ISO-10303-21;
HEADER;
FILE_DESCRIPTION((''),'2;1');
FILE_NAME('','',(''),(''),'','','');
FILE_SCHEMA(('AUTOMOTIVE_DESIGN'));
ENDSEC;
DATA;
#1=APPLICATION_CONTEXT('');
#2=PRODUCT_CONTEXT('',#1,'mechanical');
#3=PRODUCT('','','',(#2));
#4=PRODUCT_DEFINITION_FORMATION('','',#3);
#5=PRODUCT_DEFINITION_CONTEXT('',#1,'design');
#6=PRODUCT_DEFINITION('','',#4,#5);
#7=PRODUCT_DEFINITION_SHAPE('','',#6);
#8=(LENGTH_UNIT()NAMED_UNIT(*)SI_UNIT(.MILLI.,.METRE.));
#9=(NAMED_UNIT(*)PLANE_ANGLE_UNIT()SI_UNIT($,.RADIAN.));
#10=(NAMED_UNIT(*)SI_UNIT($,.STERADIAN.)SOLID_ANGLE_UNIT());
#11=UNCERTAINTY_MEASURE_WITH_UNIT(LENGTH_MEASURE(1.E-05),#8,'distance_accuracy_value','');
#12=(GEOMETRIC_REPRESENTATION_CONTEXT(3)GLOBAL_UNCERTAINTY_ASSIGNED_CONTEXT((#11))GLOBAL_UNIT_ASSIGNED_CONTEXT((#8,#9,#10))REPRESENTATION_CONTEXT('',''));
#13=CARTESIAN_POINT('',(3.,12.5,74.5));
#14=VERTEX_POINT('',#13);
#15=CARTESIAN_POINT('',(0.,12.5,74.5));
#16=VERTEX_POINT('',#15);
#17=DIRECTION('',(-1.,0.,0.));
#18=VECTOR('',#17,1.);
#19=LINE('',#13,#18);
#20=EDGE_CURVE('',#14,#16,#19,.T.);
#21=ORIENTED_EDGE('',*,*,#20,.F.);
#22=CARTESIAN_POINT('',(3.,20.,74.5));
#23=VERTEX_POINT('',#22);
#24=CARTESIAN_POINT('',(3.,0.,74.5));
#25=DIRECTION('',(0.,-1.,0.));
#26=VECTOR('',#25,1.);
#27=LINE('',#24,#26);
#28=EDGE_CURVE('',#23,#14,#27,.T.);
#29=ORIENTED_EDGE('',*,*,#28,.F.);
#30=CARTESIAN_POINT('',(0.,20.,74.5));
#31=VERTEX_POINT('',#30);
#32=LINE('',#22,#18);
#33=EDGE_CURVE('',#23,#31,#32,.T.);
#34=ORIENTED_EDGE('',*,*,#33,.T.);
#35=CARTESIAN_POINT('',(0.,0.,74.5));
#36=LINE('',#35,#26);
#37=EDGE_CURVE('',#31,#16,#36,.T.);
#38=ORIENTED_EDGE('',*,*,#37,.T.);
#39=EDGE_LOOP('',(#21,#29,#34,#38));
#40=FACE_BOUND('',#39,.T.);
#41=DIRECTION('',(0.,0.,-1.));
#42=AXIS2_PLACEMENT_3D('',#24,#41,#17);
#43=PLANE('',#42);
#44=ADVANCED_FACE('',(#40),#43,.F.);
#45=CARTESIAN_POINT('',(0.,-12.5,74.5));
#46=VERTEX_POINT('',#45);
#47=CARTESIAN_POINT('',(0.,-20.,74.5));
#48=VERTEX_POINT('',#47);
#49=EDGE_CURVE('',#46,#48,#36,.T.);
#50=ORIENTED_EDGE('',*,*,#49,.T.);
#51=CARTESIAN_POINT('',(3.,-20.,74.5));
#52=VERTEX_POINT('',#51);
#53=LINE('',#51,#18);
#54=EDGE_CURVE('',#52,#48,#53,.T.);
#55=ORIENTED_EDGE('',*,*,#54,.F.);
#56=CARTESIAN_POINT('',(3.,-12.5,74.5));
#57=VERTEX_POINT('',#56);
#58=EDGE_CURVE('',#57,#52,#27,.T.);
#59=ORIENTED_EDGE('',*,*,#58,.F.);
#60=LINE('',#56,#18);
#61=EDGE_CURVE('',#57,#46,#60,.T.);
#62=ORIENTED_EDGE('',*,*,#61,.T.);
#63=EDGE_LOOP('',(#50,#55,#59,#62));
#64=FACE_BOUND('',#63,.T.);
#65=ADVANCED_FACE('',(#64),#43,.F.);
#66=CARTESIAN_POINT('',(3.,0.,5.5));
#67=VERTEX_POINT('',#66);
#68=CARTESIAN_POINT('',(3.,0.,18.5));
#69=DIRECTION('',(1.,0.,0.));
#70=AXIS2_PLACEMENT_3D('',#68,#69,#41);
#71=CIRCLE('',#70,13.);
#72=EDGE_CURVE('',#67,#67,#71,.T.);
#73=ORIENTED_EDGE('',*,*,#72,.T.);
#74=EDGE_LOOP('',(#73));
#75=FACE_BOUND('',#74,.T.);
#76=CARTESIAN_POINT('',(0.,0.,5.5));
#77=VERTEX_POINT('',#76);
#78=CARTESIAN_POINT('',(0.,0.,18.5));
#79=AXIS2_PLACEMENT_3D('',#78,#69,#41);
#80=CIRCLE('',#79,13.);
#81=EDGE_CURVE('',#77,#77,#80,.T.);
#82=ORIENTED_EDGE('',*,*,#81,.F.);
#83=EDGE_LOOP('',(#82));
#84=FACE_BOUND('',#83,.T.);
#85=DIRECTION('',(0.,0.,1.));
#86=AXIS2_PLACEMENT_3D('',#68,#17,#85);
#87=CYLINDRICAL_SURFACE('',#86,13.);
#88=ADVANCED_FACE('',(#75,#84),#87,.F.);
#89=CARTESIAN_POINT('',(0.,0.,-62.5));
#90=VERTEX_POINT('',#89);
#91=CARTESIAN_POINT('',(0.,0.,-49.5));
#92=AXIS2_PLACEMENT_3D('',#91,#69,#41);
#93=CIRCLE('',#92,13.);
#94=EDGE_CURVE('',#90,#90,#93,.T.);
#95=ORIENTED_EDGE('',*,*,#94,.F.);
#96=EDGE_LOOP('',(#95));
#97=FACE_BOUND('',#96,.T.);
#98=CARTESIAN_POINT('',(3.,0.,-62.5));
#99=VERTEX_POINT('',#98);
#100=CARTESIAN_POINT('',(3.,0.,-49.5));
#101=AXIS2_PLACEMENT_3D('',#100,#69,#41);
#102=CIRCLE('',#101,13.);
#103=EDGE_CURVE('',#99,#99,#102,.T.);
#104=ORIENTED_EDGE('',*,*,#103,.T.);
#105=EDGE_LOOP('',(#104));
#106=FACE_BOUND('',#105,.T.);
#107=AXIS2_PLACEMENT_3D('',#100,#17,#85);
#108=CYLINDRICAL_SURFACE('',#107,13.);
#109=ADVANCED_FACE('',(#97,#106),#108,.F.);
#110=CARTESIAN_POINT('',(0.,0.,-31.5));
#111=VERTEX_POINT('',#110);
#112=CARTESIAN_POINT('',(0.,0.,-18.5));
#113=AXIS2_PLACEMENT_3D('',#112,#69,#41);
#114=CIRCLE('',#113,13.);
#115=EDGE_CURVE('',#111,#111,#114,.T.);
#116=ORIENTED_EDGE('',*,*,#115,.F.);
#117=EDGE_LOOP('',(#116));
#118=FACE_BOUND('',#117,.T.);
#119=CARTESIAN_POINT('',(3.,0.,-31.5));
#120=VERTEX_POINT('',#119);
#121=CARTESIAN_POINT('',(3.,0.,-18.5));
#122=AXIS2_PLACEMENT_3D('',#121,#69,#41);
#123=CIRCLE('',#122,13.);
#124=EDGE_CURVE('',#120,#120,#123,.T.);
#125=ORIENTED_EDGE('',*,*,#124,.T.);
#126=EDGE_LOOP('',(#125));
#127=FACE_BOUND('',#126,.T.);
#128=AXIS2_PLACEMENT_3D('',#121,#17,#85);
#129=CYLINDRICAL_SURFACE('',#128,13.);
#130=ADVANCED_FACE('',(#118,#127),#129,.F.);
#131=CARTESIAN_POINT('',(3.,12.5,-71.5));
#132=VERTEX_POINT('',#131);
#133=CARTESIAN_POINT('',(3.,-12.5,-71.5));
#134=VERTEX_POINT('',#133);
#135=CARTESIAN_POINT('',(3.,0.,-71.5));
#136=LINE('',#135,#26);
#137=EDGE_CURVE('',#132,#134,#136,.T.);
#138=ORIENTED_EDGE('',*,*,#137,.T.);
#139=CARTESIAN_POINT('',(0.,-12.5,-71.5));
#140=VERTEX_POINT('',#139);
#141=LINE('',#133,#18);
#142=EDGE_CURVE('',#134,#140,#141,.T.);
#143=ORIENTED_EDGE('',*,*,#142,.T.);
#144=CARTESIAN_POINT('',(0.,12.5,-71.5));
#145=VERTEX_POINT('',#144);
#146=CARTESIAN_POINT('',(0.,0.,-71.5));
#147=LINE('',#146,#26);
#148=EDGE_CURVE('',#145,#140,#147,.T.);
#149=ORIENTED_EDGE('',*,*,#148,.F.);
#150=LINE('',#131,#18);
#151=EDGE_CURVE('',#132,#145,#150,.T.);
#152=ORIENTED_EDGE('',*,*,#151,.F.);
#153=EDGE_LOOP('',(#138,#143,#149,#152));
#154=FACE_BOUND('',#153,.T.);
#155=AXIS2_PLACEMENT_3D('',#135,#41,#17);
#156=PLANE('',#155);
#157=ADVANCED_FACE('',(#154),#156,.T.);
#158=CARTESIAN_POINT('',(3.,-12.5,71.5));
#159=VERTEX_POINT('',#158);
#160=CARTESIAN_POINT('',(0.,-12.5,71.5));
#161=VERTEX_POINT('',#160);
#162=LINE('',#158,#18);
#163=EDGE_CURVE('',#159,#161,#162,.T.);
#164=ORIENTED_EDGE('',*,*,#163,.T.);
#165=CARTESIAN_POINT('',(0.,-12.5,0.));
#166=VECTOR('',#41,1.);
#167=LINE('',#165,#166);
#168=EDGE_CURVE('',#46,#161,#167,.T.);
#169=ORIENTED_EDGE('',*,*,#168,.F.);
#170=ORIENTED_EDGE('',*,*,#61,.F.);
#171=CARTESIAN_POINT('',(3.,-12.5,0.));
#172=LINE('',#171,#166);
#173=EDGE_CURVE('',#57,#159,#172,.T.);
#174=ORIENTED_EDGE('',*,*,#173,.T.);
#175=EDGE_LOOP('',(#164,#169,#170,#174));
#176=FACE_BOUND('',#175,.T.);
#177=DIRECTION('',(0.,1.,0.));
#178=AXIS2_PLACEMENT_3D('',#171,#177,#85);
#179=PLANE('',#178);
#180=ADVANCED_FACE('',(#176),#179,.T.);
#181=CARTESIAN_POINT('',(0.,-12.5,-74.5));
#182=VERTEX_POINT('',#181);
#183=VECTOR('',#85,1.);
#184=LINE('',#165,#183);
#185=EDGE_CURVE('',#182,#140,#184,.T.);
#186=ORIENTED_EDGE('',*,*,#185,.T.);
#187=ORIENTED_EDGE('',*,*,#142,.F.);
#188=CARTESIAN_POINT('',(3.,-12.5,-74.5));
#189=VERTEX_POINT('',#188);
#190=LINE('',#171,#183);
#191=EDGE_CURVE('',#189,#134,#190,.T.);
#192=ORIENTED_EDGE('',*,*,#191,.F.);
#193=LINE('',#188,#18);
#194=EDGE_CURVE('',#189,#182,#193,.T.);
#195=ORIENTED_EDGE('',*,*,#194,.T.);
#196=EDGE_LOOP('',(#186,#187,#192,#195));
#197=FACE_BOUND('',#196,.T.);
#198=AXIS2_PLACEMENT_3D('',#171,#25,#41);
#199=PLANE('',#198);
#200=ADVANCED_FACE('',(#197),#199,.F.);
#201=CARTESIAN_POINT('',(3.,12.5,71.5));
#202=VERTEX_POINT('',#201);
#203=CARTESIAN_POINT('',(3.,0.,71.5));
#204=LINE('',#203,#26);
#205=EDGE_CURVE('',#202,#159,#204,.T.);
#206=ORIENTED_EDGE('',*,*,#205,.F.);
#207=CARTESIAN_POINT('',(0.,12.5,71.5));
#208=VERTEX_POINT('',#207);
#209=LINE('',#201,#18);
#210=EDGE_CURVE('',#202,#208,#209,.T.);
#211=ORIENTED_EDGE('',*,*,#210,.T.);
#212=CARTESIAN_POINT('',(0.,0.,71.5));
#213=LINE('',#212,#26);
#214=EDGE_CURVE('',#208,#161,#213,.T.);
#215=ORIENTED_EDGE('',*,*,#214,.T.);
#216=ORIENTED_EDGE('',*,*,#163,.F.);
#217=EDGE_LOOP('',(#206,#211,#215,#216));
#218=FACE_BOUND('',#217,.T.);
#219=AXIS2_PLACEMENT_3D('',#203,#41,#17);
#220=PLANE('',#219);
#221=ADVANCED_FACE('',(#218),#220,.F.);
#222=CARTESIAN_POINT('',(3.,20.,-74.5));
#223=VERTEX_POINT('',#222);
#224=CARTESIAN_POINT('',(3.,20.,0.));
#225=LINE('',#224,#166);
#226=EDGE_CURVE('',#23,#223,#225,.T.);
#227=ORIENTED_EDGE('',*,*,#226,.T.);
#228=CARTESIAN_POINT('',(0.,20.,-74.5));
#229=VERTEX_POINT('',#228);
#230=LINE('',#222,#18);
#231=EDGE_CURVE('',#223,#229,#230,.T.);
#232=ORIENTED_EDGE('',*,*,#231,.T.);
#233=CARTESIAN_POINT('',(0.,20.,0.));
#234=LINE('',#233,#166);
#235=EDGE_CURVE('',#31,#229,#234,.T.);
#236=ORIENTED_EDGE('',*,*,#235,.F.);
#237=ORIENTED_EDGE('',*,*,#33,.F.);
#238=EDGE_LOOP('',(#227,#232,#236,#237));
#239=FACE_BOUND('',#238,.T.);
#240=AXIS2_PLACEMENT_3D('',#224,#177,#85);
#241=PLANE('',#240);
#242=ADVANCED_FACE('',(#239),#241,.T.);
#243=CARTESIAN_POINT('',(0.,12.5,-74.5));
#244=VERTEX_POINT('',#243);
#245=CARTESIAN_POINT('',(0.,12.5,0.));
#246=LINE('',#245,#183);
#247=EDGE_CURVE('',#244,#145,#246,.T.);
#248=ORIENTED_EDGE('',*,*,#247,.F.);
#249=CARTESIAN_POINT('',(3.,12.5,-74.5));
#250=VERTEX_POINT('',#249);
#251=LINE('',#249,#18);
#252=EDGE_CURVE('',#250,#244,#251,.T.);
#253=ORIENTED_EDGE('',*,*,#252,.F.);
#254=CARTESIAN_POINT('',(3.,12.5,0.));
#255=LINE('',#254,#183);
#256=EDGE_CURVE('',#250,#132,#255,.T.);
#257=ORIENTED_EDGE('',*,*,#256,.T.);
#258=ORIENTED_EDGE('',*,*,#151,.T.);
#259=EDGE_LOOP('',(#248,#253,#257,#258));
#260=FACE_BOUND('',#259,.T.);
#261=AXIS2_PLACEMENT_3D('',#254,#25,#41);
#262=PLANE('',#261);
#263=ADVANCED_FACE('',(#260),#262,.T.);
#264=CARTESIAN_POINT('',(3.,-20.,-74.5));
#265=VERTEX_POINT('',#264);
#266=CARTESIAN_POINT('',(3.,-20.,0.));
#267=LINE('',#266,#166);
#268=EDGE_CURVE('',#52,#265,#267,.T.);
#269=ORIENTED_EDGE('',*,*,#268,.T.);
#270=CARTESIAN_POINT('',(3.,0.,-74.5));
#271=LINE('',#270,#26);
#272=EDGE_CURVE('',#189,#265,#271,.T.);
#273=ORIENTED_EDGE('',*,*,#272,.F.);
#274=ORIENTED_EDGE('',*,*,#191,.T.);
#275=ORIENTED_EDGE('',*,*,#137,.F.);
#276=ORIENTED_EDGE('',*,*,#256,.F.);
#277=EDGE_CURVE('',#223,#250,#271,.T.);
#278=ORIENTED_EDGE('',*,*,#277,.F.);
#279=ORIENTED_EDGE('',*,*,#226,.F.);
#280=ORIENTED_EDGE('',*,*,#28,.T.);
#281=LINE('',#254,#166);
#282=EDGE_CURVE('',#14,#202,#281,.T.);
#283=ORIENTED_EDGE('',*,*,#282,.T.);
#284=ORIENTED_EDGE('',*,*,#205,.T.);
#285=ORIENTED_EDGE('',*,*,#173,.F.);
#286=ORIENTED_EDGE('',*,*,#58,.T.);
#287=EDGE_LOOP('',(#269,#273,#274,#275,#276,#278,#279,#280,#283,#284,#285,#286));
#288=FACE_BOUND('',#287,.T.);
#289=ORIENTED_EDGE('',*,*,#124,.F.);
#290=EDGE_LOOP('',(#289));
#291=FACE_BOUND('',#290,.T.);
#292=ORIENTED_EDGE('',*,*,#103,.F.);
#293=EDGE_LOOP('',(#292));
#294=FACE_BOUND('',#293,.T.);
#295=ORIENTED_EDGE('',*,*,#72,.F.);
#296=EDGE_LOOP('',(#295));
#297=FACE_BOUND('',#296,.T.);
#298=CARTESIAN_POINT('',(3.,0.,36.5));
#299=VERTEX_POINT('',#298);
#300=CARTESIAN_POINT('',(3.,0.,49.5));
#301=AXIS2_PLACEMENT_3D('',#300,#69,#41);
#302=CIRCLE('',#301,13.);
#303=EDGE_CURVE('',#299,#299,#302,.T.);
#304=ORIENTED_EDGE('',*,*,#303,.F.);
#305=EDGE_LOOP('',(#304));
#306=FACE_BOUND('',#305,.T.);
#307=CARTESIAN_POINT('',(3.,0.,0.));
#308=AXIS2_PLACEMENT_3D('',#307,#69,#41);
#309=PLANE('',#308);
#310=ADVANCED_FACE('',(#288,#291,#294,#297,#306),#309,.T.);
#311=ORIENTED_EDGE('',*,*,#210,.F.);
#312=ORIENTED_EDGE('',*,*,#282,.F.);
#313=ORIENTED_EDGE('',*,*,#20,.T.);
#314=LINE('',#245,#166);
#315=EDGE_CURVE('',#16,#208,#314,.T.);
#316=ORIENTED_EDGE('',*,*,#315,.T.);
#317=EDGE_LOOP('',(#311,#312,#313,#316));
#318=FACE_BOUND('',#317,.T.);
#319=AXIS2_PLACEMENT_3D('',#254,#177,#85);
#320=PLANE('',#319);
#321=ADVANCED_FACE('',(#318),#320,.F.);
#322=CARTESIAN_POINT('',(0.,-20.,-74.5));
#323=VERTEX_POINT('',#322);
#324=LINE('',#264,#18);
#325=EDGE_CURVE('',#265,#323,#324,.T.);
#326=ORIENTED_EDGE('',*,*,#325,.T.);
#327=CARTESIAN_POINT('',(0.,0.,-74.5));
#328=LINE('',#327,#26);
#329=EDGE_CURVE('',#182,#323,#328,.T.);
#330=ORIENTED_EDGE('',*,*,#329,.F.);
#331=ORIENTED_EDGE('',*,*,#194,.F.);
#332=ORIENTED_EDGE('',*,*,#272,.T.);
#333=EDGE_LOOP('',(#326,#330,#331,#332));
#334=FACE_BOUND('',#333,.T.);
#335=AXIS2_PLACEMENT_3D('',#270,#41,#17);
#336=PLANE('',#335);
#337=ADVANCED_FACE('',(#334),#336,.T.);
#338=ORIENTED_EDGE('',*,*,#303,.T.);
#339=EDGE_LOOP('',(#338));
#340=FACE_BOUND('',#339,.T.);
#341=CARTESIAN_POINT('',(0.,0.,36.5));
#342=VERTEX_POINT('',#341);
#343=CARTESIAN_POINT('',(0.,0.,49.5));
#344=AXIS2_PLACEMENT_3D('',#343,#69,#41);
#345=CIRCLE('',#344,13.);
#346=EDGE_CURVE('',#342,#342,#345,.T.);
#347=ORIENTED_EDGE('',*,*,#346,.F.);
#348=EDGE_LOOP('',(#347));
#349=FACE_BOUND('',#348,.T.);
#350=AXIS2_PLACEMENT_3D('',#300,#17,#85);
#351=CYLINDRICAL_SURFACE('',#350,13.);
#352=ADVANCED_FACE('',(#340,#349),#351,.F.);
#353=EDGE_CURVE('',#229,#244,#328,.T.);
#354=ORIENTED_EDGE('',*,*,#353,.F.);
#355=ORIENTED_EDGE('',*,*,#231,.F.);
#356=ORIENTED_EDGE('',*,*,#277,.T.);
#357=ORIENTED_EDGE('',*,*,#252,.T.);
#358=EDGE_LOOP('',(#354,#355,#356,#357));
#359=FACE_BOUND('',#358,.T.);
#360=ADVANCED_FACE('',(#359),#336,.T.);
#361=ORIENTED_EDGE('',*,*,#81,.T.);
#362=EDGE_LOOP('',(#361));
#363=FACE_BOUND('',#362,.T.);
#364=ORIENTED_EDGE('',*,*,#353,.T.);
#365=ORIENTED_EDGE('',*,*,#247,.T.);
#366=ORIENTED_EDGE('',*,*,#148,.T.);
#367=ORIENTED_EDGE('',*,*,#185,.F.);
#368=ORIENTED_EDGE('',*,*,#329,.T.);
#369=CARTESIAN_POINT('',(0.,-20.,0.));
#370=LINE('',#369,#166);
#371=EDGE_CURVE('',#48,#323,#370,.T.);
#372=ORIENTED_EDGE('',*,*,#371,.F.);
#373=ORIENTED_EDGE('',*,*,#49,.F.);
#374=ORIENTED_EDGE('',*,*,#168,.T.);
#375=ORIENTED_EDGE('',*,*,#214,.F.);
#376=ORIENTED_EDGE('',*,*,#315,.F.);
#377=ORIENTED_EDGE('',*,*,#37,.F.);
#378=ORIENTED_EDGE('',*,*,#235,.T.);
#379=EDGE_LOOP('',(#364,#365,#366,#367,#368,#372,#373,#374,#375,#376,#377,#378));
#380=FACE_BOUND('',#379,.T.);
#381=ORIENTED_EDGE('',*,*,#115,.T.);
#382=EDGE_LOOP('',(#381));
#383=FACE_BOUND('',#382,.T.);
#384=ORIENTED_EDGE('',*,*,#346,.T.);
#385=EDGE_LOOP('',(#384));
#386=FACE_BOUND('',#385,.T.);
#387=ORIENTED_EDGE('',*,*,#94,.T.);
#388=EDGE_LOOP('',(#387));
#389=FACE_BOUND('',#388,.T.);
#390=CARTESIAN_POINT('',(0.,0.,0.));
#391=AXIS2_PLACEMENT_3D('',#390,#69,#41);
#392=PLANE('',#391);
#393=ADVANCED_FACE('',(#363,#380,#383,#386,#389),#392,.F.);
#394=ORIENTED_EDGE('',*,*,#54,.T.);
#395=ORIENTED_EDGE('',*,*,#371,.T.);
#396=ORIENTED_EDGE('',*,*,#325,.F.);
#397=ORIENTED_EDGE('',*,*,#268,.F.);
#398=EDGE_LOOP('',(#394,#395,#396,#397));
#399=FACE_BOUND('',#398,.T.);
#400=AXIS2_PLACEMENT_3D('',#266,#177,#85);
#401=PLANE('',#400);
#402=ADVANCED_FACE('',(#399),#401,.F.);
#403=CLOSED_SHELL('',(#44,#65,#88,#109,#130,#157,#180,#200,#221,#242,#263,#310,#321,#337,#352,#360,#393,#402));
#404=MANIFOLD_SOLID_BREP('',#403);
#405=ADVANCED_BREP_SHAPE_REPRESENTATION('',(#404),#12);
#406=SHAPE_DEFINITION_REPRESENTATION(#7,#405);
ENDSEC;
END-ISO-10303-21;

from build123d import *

# Parameters (mm, degrees)
SKETCH1_R           = 13
BOSS_EXTRUDE1_DEPTH = 3


with BuildPart() as part:
    # Sketch1 → Boss-Extrude1 (new body)
    with BuildSketch(Plane(origin=(0, 0, 0), x_dir=(0, 0, -1), z_dir=(1, 0, 0))):
        Polygon((74.5, 20), (-74.5, 20), (-74.5, 12.5), (-71.5, 12.5), (-71.5, -12.5), (-74.5, -12.5), (-74.5, -20), (74.5, -20), (74.5, -12.5), (71.5, -12.5), (71.5, 12.5), (74.5, 12.5), align=None)
        with Locations((-49.5, 0)):
            Circle(SKETCH1_R, mode=Mode.SUBTRACT)
        with Locations((-18.5, 0)):
            Circle(SKETCH1_R, mode=Mode.SUBTRACT)
        with Locations((18.5, 0)):
            Circle(SKETCH1_R, mode=Mode.SUBTRACT)
        with Locations((49.5, 0)):
            Circle(SKETCH1_R, mode=Mode.SUBTRACT)
    extrude(amount=BOSS_EXTRUDE1_DEPTH)


solid = part.part
